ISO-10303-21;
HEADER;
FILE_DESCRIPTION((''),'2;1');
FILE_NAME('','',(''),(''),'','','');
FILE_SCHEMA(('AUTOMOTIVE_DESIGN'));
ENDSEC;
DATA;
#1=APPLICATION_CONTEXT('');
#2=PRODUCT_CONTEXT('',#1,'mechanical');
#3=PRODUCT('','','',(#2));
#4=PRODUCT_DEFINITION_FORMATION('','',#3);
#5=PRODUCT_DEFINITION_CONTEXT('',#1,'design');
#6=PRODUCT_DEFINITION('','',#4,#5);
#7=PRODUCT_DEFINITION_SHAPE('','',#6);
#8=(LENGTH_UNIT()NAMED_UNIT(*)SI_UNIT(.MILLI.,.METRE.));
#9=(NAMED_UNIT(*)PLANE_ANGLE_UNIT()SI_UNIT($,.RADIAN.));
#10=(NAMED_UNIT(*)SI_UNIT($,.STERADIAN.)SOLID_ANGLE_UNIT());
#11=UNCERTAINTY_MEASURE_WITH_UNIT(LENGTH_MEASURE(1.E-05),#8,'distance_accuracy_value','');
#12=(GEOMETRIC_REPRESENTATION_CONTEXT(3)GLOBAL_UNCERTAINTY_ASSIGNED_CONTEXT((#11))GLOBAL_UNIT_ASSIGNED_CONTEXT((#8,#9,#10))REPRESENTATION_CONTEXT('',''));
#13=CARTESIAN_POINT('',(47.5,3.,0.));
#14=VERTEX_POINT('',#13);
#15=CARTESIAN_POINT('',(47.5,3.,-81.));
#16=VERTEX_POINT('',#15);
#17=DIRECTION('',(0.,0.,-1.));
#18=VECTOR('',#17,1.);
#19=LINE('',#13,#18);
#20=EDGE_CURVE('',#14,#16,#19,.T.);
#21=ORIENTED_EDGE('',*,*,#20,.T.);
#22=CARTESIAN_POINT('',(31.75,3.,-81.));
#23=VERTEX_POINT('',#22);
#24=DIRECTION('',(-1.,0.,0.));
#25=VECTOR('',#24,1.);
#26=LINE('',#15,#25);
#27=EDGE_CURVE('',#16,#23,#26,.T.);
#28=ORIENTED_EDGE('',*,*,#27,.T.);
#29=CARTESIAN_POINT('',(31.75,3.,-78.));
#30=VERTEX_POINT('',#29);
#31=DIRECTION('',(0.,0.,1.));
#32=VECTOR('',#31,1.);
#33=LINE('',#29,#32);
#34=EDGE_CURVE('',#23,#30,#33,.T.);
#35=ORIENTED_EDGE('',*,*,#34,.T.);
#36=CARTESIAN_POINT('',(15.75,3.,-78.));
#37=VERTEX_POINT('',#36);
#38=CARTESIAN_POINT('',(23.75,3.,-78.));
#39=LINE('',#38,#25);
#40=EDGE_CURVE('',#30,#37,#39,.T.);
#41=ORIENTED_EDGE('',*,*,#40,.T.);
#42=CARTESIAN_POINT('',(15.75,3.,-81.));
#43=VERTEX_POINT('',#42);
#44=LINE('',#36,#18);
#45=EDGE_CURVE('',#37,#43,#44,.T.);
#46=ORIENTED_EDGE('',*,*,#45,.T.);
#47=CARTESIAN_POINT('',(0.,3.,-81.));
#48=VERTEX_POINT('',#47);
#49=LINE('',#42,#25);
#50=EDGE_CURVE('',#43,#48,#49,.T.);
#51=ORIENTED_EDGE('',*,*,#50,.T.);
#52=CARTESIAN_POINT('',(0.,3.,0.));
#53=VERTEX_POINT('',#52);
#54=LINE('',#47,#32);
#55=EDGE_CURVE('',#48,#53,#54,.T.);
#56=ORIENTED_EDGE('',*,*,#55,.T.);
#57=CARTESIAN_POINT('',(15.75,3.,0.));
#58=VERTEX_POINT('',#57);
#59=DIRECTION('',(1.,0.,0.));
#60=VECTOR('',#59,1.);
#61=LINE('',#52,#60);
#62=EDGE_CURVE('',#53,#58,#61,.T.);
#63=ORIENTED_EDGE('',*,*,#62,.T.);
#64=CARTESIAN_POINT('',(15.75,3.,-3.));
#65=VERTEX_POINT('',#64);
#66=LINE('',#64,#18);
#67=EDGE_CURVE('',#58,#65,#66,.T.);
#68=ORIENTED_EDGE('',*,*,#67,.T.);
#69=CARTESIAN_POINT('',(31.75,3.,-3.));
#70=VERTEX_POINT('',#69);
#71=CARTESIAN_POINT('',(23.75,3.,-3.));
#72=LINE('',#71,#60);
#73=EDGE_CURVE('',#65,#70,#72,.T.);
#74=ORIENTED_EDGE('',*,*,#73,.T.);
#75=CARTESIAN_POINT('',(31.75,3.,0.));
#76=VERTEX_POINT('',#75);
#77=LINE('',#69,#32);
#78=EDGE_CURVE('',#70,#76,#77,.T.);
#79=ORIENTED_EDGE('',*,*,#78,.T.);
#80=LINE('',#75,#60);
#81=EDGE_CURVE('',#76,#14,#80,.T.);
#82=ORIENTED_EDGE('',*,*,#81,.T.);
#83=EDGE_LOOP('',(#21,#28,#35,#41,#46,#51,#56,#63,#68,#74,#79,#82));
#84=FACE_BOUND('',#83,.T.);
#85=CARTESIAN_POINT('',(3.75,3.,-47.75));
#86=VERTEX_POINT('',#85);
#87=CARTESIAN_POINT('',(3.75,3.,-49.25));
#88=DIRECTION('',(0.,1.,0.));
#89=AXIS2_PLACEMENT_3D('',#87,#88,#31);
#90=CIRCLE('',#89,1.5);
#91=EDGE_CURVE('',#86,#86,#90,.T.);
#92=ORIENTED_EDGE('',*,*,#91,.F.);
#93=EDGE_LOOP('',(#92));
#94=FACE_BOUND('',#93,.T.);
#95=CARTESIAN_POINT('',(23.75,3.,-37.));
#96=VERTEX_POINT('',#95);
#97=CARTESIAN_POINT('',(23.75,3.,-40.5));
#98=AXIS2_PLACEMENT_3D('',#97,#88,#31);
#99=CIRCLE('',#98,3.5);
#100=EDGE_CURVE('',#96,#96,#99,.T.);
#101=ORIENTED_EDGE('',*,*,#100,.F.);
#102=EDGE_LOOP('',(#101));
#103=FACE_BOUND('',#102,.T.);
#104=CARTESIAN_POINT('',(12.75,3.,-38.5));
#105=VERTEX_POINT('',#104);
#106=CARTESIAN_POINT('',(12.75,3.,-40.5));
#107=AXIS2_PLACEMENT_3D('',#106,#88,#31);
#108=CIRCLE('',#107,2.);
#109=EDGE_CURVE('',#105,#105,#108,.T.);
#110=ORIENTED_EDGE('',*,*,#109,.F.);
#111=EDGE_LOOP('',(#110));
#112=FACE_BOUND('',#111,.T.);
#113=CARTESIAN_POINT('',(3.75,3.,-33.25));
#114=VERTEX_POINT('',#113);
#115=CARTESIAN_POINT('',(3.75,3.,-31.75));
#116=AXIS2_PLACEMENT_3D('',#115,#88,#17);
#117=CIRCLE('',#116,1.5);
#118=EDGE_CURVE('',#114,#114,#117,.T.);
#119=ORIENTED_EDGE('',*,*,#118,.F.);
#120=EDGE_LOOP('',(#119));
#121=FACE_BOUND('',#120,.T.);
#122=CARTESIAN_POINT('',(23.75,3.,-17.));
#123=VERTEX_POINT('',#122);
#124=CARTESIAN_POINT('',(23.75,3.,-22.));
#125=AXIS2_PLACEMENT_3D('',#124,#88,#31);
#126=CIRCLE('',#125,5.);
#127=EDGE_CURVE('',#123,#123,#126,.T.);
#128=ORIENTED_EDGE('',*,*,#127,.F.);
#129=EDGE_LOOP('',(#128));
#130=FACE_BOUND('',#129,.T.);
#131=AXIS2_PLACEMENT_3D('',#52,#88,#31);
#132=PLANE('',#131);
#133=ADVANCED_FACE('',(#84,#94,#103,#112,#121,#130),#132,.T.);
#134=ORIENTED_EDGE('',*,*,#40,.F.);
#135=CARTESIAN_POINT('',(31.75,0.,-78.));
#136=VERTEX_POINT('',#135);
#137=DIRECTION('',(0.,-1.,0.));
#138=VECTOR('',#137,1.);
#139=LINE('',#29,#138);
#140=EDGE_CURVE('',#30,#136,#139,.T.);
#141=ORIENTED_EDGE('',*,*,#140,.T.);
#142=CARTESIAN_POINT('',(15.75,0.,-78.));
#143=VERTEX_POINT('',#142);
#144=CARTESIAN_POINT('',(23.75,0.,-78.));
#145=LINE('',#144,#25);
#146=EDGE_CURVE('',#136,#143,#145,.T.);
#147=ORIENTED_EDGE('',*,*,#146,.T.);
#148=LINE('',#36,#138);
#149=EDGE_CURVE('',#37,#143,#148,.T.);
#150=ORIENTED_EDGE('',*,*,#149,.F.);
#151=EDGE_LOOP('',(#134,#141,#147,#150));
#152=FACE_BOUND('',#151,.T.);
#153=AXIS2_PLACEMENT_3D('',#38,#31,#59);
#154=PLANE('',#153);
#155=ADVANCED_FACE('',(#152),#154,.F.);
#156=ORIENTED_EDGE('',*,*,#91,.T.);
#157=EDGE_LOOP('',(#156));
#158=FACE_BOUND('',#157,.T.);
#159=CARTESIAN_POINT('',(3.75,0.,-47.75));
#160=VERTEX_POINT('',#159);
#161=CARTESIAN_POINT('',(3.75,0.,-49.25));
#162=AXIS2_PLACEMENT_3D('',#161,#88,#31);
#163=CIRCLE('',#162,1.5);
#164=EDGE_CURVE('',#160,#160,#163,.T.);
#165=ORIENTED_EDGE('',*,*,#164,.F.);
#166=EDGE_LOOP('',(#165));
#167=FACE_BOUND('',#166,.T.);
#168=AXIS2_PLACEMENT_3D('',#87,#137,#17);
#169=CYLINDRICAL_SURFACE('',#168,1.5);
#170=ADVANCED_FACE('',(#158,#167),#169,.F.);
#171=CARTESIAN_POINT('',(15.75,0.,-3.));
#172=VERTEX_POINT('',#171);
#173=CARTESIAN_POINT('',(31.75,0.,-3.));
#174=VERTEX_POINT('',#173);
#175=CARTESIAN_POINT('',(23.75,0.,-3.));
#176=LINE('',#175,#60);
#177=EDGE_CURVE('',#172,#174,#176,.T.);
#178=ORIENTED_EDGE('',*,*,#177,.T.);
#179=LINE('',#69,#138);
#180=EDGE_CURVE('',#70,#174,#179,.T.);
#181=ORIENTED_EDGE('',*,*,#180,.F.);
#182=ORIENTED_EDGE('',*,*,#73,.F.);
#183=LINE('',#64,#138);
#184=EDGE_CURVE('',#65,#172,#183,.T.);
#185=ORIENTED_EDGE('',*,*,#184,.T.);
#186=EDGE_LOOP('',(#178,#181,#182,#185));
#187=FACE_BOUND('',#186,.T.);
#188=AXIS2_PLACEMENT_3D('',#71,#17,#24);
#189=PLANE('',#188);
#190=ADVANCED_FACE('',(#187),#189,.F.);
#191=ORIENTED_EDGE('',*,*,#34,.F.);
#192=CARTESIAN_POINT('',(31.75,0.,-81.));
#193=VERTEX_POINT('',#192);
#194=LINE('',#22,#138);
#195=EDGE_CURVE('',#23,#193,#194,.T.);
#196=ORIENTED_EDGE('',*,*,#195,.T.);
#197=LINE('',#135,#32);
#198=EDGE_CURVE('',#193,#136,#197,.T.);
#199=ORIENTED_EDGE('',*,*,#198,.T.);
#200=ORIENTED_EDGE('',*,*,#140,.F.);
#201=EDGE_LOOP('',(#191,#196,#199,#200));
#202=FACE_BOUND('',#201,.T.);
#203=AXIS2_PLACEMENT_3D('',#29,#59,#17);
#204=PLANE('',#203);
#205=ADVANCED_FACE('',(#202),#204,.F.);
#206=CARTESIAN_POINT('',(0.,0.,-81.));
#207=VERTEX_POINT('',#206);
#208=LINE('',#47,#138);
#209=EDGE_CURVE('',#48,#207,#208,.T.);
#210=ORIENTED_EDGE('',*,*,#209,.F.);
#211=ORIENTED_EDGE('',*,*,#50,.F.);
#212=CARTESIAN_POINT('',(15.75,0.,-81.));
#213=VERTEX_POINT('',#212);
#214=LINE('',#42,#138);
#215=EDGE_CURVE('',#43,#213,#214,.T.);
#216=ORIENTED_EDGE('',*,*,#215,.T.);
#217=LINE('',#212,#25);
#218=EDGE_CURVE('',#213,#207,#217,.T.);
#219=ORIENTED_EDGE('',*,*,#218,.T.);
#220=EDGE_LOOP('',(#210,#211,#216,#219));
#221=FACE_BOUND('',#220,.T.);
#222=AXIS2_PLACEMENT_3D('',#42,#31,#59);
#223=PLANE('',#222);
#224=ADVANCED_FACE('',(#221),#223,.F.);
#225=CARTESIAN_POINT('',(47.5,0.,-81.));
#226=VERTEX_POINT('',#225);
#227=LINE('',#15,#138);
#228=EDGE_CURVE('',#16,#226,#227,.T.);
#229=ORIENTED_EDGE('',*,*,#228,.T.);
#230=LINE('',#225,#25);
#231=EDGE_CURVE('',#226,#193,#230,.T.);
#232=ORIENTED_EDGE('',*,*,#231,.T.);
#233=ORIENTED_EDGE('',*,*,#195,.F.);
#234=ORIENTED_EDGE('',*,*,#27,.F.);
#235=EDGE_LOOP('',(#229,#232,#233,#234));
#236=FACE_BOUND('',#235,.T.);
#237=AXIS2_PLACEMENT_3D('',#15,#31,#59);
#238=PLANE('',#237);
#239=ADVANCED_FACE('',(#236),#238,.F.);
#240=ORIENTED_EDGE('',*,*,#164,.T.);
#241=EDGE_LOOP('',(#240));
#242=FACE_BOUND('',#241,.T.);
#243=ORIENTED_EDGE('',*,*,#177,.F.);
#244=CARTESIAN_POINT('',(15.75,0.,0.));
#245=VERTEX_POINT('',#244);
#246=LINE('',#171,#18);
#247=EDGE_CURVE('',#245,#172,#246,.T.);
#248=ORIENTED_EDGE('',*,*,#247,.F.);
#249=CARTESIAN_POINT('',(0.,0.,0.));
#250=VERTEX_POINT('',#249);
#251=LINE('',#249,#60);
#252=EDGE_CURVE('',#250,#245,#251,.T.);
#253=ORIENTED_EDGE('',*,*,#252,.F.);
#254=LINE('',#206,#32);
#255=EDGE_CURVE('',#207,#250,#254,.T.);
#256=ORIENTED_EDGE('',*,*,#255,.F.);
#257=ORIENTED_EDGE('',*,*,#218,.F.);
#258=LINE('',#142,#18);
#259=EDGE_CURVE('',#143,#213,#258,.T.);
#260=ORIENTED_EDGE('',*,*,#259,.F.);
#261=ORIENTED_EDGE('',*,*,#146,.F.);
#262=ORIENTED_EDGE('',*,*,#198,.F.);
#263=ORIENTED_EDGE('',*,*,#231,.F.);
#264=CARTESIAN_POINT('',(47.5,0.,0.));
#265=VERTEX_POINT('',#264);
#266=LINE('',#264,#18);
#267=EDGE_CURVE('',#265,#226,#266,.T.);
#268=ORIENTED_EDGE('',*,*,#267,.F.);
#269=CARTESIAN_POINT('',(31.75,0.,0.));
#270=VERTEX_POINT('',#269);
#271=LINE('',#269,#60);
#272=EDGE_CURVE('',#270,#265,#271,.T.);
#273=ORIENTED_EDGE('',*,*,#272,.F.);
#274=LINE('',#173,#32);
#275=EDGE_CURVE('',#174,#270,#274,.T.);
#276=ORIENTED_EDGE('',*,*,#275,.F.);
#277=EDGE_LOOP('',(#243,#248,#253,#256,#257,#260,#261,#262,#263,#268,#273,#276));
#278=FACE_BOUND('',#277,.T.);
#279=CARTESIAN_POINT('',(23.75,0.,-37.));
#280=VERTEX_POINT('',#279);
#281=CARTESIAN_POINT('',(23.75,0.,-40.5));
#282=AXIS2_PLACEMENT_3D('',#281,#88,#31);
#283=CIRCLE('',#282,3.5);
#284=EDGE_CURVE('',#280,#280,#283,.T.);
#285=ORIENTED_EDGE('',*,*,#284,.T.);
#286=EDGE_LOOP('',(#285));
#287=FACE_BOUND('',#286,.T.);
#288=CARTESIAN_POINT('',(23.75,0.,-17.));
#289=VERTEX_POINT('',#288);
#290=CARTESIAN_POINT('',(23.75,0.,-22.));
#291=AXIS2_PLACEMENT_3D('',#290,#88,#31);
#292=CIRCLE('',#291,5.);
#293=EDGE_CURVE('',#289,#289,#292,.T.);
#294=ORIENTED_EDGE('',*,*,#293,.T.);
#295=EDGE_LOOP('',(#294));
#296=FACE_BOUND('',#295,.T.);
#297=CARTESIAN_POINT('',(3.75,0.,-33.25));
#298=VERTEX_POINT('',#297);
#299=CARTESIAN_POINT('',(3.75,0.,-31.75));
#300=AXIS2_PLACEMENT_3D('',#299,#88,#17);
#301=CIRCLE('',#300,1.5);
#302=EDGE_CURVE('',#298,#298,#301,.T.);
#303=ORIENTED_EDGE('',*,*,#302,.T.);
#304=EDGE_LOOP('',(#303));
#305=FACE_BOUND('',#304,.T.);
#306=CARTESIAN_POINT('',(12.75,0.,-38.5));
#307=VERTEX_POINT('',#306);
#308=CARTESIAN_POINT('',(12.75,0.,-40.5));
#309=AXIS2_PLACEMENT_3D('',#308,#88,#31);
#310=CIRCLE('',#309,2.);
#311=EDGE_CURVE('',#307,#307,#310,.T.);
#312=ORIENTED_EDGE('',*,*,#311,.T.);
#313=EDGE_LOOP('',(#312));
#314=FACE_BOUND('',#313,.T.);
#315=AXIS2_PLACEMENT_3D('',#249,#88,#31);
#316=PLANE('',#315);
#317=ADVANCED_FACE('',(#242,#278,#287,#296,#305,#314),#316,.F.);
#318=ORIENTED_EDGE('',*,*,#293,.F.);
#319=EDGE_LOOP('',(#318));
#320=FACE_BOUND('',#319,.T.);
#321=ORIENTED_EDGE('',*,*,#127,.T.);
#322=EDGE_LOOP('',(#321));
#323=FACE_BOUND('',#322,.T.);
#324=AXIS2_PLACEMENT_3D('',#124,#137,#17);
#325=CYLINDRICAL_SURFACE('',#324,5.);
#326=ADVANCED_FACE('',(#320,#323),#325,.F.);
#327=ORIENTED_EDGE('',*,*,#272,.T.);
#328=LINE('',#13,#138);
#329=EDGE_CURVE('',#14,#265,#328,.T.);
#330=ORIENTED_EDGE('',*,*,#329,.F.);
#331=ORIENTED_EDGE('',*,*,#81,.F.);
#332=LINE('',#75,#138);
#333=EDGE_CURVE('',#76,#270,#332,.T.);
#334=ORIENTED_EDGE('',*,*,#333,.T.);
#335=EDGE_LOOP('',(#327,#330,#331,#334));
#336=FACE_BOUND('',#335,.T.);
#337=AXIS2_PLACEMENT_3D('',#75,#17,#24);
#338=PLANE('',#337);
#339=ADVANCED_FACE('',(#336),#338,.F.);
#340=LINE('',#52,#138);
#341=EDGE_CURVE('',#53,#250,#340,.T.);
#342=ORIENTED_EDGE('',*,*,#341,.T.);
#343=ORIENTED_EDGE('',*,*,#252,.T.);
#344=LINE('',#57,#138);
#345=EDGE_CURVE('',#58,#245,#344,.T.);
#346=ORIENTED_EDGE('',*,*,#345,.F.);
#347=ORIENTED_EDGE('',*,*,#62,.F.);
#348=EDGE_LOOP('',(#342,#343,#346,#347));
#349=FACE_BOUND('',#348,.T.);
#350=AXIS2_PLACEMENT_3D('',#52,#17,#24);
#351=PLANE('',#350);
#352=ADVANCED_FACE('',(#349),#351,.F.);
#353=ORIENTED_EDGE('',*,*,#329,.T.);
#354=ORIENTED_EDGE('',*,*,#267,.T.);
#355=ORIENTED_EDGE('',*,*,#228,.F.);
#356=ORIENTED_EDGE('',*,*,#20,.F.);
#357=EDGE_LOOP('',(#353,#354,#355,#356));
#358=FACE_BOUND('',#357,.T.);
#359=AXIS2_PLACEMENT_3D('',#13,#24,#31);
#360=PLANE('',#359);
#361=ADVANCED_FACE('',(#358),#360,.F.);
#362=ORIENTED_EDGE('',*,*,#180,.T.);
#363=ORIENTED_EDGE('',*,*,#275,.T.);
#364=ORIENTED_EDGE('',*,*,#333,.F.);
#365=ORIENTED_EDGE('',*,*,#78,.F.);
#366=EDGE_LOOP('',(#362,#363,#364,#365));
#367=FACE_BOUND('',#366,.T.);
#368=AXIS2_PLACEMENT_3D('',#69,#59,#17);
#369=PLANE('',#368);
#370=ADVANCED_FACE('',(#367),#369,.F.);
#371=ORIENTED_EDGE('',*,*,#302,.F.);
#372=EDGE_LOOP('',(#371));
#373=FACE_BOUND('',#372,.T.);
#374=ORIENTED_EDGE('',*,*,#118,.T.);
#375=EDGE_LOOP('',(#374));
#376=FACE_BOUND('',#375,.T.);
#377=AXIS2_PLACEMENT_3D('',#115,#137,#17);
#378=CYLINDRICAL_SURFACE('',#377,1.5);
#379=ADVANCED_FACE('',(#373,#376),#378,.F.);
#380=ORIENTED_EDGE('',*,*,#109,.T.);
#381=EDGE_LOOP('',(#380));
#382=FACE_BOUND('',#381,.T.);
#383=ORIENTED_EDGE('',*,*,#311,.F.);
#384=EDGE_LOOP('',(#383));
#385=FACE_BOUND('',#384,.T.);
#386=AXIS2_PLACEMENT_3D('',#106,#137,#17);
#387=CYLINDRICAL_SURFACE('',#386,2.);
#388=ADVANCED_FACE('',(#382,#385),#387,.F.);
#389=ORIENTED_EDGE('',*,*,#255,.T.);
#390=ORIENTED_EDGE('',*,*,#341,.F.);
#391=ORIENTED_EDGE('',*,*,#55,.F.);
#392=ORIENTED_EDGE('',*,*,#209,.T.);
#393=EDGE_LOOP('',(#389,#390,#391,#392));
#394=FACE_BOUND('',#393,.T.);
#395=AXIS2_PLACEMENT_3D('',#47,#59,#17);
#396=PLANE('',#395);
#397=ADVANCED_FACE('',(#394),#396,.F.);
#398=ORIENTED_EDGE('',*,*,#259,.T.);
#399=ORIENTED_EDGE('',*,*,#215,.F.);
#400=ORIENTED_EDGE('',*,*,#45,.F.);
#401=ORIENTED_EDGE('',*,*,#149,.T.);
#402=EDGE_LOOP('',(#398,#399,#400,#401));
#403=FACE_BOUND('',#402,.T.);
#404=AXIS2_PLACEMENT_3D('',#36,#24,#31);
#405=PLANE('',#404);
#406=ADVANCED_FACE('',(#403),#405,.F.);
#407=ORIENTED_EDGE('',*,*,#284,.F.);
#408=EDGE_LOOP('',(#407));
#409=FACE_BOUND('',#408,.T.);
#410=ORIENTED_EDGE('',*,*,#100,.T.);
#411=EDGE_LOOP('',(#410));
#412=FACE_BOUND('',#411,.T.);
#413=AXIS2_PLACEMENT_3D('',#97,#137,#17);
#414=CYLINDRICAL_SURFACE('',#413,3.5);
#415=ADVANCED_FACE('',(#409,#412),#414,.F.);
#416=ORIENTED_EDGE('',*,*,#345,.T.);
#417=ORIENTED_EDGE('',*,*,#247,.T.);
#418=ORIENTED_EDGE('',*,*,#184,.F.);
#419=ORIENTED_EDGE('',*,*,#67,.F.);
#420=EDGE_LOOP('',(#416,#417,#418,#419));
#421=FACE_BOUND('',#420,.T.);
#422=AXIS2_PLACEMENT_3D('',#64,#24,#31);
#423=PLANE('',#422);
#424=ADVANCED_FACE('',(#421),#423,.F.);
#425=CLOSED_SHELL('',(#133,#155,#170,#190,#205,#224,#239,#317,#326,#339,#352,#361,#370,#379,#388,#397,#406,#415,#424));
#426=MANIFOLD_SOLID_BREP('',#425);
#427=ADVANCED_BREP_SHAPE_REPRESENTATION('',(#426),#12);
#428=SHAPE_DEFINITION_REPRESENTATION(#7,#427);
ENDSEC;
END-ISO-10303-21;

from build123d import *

# Parameters (mm, degrees)
CROQUIS1_R              = 1.5
CROQUIS1_R_2            = 2
CROQUIS1_R_3            = 5
CROQUIS1_R_4            = 3.5
SALIENTE_EXTRUIR1_DEPTH = 3


with BuildPart() as part:
    # Croquis1 → Saliente-Extruir1 (new body)
    with BuildSketch(Plane(origin=(0, 0, 0), x_dir=(1, 0, 0), z_dir=(0, 1, 0))):
        Polygon((0, 0), (15.75, 0), (15.75, 3), (23.75, 3), (31.75, 3), (31.75, 0), (47.5, 0), (47.5, 81), (31.75, 81), (31.75, 78), (23.75, 78), (15.75, 78), (15.75, 81), (0, 81), align=None)
        with Locations(Location((3.75, 49.25, 0), (0, 0, 270))):
            Circle(CROQUIS1_R, mode=Mode.SUBTRACT)
        with Locations(Location((3.75, 31.75, 0), (0, 0, 90))):
            Circle(CROQUIS1_R, mode=Mode.SUBTRACT)
        with Locations(Location((12.75, 40.5, 0), (0, 0, 270))):
            Circle(CROQUIS1_R_2, mode=Mode.SUBTRACT)
        with Locations(Location((23.75, 22, 0), (0, 0, 270))):
            Circle(CROQUIS1_R_3, mode=Mode.SUBTRACT)
        with Locations(Location((23.75, 40.5, 0), (0, 0, 270))):
            Circle(CROQUIS1_R_4, mode=Mode.SUBTRACT)
    extrude(amount=SALIENTE_EXTRUIR1_DEPTH)


solid = part.part
